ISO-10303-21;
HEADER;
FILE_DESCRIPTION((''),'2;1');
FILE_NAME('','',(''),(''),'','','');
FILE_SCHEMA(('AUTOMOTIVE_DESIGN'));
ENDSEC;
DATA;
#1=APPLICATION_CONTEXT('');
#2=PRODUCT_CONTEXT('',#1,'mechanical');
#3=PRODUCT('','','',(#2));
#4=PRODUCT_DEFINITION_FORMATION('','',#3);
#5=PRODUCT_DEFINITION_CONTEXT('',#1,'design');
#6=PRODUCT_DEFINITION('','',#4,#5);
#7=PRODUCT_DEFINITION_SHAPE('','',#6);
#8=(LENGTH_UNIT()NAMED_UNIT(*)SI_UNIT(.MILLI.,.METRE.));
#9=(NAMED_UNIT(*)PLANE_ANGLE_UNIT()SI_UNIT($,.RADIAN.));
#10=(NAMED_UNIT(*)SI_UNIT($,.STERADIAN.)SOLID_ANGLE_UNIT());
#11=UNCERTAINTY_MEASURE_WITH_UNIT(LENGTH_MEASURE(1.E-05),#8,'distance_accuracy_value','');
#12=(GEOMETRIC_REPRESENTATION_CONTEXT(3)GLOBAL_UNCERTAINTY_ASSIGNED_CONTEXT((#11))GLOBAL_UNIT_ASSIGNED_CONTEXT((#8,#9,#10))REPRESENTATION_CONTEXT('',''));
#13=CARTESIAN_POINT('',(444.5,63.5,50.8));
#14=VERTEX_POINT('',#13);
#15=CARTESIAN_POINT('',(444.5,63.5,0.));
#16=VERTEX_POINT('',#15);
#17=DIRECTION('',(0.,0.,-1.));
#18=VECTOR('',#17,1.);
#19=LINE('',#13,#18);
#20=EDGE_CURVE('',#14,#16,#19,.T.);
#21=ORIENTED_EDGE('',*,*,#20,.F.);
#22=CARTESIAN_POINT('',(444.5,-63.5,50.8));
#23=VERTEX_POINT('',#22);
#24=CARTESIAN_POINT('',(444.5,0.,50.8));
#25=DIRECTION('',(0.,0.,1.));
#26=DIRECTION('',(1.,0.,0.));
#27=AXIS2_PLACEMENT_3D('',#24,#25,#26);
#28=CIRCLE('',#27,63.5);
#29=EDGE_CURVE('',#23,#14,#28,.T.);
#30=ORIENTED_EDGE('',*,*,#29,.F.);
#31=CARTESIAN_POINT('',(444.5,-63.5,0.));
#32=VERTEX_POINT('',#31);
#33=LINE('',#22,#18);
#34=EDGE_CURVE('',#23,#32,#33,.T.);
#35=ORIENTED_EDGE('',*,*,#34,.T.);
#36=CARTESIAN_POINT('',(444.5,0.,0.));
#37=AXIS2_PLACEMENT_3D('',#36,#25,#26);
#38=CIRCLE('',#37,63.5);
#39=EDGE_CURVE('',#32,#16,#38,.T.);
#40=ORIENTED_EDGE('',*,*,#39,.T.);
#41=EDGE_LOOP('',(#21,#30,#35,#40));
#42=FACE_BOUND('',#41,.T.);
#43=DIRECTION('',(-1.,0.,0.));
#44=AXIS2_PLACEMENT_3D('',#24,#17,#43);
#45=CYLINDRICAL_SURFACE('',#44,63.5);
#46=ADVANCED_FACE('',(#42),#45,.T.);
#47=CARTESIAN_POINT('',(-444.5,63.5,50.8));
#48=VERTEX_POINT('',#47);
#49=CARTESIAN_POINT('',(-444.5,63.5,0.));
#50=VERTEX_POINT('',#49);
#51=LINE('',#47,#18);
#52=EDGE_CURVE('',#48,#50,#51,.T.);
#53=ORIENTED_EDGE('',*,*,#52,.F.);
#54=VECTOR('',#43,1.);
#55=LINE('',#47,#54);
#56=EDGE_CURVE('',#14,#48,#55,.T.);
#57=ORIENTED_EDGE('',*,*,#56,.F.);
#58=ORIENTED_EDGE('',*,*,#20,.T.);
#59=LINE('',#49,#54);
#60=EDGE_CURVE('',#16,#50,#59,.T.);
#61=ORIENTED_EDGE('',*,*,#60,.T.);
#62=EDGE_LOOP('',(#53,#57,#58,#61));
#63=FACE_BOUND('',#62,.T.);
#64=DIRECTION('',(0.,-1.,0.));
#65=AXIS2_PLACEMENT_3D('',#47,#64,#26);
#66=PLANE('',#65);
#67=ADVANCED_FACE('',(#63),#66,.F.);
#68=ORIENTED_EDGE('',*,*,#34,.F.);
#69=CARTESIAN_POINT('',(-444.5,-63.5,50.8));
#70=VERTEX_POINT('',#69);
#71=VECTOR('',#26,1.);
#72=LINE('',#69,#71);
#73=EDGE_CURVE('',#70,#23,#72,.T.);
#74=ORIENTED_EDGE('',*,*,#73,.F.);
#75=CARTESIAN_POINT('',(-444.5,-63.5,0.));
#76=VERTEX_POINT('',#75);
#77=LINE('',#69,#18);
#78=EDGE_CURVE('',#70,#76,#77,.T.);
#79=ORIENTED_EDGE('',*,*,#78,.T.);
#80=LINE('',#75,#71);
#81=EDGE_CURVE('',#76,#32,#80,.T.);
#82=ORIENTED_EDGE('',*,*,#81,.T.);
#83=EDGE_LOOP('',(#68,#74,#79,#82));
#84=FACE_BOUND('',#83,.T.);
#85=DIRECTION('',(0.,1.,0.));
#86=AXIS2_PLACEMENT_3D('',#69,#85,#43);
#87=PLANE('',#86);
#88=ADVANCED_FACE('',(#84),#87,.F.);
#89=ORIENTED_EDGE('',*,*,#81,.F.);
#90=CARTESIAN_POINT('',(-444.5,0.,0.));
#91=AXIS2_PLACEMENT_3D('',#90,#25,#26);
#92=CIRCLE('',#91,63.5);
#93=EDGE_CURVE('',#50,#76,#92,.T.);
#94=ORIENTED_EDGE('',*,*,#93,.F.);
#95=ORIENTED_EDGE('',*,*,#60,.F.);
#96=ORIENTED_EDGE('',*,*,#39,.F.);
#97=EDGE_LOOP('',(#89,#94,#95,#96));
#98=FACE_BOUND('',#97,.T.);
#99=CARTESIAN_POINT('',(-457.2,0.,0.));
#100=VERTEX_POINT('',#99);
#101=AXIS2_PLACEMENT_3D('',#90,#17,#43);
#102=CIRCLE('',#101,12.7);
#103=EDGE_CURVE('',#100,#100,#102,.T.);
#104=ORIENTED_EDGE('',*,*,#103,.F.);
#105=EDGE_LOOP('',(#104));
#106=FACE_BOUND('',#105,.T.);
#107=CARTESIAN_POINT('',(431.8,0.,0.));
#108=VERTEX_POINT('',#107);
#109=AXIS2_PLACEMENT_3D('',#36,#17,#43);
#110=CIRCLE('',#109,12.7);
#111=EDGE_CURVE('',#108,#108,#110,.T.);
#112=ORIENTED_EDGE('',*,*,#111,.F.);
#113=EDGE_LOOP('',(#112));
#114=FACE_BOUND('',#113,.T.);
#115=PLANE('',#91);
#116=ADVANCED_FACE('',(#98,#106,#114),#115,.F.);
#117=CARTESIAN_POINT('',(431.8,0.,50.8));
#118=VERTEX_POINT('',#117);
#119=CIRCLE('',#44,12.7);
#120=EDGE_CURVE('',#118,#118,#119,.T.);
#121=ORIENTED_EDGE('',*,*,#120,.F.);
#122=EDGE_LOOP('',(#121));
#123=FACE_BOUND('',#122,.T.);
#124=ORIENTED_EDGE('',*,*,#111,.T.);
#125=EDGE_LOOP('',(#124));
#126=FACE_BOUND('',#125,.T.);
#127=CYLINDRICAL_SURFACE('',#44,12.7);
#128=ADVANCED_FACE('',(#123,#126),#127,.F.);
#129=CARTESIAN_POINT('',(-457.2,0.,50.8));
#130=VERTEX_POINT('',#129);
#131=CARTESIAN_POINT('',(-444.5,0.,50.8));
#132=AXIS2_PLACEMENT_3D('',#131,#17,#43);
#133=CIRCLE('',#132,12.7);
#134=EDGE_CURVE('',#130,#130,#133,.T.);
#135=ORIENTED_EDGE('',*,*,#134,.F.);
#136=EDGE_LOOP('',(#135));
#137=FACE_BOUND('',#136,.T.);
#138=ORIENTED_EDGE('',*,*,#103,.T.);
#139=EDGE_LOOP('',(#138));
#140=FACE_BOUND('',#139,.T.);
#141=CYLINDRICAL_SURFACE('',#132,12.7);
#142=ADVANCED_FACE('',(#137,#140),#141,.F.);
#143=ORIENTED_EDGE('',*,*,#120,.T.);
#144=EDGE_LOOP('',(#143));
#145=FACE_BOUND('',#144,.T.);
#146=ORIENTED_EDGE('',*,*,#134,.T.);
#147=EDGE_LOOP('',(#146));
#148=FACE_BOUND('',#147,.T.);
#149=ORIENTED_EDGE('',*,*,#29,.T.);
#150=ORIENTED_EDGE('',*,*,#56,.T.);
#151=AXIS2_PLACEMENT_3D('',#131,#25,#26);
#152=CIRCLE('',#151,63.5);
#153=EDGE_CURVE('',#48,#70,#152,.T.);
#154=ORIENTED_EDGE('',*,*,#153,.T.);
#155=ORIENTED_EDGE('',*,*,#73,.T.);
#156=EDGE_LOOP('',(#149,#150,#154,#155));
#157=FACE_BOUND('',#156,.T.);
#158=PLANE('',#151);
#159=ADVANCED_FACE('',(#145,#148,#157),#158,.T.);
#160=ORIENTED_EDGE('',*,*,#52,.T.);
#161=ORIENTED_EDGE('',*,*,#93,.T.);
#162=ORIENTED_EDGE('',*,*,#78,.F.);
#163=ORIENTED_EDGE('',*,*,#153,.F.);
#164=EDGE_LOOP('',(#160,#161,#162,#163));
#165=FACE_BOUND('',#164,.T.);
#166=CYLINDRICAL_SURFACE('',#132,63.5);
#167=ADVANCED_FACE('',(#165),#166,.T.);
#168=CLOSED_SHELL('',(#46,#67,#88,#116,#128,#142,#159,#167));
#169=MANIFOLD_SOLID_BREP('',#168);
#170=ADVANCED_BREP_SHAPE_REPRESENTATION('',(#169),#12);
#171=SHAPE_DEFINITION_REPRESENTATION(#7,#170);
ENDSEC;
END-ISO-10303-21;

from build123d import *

# Parameters (mm, degrees)
BOSS_EXTRUDE1_DEPTH = 50.8
SKETCH2_R           = 12.7
CUT_EXTRUDE1_DEPTH  = 515.467579153


with BuildPart() as part:
    # Sketch1 → Boss-Extrude1 (new body)
    with BuildSketch(Plane.XY):
        with BuildLine():
            Line((-444.5, 63.5), (444.5, 63.5))
            ThreePointArc((444.5, 63.5), (508, 0), (444.5, -63.5))
            Line((444.5, -63.5), (-444.5, -63.5))
            ThreePointArc((-444.5, -63.5), (-508, 0), (-444.5, 63.5))
        make_face()
    extrude(amount=BOSS_EXTRUDE1_DEPTH)

    # Sketch2 → Cut-Extrude1 (cut, through all)
    with BuildSketch(Plane(origin=(0, 0, 0), x_dir=(-1, 0, 0), z_dir=(0, 0, -1))):
        with Locations((444.5, 0)):
            Circle(SKETCH2_R)
        with Locations((-444.5, 0)):
            Circle(SKETCH2_R)
    extrude(amount=-CUT_EXTRUDE1_DEPTH, mode=Mode.SUBTRACT)


solid = part.part
